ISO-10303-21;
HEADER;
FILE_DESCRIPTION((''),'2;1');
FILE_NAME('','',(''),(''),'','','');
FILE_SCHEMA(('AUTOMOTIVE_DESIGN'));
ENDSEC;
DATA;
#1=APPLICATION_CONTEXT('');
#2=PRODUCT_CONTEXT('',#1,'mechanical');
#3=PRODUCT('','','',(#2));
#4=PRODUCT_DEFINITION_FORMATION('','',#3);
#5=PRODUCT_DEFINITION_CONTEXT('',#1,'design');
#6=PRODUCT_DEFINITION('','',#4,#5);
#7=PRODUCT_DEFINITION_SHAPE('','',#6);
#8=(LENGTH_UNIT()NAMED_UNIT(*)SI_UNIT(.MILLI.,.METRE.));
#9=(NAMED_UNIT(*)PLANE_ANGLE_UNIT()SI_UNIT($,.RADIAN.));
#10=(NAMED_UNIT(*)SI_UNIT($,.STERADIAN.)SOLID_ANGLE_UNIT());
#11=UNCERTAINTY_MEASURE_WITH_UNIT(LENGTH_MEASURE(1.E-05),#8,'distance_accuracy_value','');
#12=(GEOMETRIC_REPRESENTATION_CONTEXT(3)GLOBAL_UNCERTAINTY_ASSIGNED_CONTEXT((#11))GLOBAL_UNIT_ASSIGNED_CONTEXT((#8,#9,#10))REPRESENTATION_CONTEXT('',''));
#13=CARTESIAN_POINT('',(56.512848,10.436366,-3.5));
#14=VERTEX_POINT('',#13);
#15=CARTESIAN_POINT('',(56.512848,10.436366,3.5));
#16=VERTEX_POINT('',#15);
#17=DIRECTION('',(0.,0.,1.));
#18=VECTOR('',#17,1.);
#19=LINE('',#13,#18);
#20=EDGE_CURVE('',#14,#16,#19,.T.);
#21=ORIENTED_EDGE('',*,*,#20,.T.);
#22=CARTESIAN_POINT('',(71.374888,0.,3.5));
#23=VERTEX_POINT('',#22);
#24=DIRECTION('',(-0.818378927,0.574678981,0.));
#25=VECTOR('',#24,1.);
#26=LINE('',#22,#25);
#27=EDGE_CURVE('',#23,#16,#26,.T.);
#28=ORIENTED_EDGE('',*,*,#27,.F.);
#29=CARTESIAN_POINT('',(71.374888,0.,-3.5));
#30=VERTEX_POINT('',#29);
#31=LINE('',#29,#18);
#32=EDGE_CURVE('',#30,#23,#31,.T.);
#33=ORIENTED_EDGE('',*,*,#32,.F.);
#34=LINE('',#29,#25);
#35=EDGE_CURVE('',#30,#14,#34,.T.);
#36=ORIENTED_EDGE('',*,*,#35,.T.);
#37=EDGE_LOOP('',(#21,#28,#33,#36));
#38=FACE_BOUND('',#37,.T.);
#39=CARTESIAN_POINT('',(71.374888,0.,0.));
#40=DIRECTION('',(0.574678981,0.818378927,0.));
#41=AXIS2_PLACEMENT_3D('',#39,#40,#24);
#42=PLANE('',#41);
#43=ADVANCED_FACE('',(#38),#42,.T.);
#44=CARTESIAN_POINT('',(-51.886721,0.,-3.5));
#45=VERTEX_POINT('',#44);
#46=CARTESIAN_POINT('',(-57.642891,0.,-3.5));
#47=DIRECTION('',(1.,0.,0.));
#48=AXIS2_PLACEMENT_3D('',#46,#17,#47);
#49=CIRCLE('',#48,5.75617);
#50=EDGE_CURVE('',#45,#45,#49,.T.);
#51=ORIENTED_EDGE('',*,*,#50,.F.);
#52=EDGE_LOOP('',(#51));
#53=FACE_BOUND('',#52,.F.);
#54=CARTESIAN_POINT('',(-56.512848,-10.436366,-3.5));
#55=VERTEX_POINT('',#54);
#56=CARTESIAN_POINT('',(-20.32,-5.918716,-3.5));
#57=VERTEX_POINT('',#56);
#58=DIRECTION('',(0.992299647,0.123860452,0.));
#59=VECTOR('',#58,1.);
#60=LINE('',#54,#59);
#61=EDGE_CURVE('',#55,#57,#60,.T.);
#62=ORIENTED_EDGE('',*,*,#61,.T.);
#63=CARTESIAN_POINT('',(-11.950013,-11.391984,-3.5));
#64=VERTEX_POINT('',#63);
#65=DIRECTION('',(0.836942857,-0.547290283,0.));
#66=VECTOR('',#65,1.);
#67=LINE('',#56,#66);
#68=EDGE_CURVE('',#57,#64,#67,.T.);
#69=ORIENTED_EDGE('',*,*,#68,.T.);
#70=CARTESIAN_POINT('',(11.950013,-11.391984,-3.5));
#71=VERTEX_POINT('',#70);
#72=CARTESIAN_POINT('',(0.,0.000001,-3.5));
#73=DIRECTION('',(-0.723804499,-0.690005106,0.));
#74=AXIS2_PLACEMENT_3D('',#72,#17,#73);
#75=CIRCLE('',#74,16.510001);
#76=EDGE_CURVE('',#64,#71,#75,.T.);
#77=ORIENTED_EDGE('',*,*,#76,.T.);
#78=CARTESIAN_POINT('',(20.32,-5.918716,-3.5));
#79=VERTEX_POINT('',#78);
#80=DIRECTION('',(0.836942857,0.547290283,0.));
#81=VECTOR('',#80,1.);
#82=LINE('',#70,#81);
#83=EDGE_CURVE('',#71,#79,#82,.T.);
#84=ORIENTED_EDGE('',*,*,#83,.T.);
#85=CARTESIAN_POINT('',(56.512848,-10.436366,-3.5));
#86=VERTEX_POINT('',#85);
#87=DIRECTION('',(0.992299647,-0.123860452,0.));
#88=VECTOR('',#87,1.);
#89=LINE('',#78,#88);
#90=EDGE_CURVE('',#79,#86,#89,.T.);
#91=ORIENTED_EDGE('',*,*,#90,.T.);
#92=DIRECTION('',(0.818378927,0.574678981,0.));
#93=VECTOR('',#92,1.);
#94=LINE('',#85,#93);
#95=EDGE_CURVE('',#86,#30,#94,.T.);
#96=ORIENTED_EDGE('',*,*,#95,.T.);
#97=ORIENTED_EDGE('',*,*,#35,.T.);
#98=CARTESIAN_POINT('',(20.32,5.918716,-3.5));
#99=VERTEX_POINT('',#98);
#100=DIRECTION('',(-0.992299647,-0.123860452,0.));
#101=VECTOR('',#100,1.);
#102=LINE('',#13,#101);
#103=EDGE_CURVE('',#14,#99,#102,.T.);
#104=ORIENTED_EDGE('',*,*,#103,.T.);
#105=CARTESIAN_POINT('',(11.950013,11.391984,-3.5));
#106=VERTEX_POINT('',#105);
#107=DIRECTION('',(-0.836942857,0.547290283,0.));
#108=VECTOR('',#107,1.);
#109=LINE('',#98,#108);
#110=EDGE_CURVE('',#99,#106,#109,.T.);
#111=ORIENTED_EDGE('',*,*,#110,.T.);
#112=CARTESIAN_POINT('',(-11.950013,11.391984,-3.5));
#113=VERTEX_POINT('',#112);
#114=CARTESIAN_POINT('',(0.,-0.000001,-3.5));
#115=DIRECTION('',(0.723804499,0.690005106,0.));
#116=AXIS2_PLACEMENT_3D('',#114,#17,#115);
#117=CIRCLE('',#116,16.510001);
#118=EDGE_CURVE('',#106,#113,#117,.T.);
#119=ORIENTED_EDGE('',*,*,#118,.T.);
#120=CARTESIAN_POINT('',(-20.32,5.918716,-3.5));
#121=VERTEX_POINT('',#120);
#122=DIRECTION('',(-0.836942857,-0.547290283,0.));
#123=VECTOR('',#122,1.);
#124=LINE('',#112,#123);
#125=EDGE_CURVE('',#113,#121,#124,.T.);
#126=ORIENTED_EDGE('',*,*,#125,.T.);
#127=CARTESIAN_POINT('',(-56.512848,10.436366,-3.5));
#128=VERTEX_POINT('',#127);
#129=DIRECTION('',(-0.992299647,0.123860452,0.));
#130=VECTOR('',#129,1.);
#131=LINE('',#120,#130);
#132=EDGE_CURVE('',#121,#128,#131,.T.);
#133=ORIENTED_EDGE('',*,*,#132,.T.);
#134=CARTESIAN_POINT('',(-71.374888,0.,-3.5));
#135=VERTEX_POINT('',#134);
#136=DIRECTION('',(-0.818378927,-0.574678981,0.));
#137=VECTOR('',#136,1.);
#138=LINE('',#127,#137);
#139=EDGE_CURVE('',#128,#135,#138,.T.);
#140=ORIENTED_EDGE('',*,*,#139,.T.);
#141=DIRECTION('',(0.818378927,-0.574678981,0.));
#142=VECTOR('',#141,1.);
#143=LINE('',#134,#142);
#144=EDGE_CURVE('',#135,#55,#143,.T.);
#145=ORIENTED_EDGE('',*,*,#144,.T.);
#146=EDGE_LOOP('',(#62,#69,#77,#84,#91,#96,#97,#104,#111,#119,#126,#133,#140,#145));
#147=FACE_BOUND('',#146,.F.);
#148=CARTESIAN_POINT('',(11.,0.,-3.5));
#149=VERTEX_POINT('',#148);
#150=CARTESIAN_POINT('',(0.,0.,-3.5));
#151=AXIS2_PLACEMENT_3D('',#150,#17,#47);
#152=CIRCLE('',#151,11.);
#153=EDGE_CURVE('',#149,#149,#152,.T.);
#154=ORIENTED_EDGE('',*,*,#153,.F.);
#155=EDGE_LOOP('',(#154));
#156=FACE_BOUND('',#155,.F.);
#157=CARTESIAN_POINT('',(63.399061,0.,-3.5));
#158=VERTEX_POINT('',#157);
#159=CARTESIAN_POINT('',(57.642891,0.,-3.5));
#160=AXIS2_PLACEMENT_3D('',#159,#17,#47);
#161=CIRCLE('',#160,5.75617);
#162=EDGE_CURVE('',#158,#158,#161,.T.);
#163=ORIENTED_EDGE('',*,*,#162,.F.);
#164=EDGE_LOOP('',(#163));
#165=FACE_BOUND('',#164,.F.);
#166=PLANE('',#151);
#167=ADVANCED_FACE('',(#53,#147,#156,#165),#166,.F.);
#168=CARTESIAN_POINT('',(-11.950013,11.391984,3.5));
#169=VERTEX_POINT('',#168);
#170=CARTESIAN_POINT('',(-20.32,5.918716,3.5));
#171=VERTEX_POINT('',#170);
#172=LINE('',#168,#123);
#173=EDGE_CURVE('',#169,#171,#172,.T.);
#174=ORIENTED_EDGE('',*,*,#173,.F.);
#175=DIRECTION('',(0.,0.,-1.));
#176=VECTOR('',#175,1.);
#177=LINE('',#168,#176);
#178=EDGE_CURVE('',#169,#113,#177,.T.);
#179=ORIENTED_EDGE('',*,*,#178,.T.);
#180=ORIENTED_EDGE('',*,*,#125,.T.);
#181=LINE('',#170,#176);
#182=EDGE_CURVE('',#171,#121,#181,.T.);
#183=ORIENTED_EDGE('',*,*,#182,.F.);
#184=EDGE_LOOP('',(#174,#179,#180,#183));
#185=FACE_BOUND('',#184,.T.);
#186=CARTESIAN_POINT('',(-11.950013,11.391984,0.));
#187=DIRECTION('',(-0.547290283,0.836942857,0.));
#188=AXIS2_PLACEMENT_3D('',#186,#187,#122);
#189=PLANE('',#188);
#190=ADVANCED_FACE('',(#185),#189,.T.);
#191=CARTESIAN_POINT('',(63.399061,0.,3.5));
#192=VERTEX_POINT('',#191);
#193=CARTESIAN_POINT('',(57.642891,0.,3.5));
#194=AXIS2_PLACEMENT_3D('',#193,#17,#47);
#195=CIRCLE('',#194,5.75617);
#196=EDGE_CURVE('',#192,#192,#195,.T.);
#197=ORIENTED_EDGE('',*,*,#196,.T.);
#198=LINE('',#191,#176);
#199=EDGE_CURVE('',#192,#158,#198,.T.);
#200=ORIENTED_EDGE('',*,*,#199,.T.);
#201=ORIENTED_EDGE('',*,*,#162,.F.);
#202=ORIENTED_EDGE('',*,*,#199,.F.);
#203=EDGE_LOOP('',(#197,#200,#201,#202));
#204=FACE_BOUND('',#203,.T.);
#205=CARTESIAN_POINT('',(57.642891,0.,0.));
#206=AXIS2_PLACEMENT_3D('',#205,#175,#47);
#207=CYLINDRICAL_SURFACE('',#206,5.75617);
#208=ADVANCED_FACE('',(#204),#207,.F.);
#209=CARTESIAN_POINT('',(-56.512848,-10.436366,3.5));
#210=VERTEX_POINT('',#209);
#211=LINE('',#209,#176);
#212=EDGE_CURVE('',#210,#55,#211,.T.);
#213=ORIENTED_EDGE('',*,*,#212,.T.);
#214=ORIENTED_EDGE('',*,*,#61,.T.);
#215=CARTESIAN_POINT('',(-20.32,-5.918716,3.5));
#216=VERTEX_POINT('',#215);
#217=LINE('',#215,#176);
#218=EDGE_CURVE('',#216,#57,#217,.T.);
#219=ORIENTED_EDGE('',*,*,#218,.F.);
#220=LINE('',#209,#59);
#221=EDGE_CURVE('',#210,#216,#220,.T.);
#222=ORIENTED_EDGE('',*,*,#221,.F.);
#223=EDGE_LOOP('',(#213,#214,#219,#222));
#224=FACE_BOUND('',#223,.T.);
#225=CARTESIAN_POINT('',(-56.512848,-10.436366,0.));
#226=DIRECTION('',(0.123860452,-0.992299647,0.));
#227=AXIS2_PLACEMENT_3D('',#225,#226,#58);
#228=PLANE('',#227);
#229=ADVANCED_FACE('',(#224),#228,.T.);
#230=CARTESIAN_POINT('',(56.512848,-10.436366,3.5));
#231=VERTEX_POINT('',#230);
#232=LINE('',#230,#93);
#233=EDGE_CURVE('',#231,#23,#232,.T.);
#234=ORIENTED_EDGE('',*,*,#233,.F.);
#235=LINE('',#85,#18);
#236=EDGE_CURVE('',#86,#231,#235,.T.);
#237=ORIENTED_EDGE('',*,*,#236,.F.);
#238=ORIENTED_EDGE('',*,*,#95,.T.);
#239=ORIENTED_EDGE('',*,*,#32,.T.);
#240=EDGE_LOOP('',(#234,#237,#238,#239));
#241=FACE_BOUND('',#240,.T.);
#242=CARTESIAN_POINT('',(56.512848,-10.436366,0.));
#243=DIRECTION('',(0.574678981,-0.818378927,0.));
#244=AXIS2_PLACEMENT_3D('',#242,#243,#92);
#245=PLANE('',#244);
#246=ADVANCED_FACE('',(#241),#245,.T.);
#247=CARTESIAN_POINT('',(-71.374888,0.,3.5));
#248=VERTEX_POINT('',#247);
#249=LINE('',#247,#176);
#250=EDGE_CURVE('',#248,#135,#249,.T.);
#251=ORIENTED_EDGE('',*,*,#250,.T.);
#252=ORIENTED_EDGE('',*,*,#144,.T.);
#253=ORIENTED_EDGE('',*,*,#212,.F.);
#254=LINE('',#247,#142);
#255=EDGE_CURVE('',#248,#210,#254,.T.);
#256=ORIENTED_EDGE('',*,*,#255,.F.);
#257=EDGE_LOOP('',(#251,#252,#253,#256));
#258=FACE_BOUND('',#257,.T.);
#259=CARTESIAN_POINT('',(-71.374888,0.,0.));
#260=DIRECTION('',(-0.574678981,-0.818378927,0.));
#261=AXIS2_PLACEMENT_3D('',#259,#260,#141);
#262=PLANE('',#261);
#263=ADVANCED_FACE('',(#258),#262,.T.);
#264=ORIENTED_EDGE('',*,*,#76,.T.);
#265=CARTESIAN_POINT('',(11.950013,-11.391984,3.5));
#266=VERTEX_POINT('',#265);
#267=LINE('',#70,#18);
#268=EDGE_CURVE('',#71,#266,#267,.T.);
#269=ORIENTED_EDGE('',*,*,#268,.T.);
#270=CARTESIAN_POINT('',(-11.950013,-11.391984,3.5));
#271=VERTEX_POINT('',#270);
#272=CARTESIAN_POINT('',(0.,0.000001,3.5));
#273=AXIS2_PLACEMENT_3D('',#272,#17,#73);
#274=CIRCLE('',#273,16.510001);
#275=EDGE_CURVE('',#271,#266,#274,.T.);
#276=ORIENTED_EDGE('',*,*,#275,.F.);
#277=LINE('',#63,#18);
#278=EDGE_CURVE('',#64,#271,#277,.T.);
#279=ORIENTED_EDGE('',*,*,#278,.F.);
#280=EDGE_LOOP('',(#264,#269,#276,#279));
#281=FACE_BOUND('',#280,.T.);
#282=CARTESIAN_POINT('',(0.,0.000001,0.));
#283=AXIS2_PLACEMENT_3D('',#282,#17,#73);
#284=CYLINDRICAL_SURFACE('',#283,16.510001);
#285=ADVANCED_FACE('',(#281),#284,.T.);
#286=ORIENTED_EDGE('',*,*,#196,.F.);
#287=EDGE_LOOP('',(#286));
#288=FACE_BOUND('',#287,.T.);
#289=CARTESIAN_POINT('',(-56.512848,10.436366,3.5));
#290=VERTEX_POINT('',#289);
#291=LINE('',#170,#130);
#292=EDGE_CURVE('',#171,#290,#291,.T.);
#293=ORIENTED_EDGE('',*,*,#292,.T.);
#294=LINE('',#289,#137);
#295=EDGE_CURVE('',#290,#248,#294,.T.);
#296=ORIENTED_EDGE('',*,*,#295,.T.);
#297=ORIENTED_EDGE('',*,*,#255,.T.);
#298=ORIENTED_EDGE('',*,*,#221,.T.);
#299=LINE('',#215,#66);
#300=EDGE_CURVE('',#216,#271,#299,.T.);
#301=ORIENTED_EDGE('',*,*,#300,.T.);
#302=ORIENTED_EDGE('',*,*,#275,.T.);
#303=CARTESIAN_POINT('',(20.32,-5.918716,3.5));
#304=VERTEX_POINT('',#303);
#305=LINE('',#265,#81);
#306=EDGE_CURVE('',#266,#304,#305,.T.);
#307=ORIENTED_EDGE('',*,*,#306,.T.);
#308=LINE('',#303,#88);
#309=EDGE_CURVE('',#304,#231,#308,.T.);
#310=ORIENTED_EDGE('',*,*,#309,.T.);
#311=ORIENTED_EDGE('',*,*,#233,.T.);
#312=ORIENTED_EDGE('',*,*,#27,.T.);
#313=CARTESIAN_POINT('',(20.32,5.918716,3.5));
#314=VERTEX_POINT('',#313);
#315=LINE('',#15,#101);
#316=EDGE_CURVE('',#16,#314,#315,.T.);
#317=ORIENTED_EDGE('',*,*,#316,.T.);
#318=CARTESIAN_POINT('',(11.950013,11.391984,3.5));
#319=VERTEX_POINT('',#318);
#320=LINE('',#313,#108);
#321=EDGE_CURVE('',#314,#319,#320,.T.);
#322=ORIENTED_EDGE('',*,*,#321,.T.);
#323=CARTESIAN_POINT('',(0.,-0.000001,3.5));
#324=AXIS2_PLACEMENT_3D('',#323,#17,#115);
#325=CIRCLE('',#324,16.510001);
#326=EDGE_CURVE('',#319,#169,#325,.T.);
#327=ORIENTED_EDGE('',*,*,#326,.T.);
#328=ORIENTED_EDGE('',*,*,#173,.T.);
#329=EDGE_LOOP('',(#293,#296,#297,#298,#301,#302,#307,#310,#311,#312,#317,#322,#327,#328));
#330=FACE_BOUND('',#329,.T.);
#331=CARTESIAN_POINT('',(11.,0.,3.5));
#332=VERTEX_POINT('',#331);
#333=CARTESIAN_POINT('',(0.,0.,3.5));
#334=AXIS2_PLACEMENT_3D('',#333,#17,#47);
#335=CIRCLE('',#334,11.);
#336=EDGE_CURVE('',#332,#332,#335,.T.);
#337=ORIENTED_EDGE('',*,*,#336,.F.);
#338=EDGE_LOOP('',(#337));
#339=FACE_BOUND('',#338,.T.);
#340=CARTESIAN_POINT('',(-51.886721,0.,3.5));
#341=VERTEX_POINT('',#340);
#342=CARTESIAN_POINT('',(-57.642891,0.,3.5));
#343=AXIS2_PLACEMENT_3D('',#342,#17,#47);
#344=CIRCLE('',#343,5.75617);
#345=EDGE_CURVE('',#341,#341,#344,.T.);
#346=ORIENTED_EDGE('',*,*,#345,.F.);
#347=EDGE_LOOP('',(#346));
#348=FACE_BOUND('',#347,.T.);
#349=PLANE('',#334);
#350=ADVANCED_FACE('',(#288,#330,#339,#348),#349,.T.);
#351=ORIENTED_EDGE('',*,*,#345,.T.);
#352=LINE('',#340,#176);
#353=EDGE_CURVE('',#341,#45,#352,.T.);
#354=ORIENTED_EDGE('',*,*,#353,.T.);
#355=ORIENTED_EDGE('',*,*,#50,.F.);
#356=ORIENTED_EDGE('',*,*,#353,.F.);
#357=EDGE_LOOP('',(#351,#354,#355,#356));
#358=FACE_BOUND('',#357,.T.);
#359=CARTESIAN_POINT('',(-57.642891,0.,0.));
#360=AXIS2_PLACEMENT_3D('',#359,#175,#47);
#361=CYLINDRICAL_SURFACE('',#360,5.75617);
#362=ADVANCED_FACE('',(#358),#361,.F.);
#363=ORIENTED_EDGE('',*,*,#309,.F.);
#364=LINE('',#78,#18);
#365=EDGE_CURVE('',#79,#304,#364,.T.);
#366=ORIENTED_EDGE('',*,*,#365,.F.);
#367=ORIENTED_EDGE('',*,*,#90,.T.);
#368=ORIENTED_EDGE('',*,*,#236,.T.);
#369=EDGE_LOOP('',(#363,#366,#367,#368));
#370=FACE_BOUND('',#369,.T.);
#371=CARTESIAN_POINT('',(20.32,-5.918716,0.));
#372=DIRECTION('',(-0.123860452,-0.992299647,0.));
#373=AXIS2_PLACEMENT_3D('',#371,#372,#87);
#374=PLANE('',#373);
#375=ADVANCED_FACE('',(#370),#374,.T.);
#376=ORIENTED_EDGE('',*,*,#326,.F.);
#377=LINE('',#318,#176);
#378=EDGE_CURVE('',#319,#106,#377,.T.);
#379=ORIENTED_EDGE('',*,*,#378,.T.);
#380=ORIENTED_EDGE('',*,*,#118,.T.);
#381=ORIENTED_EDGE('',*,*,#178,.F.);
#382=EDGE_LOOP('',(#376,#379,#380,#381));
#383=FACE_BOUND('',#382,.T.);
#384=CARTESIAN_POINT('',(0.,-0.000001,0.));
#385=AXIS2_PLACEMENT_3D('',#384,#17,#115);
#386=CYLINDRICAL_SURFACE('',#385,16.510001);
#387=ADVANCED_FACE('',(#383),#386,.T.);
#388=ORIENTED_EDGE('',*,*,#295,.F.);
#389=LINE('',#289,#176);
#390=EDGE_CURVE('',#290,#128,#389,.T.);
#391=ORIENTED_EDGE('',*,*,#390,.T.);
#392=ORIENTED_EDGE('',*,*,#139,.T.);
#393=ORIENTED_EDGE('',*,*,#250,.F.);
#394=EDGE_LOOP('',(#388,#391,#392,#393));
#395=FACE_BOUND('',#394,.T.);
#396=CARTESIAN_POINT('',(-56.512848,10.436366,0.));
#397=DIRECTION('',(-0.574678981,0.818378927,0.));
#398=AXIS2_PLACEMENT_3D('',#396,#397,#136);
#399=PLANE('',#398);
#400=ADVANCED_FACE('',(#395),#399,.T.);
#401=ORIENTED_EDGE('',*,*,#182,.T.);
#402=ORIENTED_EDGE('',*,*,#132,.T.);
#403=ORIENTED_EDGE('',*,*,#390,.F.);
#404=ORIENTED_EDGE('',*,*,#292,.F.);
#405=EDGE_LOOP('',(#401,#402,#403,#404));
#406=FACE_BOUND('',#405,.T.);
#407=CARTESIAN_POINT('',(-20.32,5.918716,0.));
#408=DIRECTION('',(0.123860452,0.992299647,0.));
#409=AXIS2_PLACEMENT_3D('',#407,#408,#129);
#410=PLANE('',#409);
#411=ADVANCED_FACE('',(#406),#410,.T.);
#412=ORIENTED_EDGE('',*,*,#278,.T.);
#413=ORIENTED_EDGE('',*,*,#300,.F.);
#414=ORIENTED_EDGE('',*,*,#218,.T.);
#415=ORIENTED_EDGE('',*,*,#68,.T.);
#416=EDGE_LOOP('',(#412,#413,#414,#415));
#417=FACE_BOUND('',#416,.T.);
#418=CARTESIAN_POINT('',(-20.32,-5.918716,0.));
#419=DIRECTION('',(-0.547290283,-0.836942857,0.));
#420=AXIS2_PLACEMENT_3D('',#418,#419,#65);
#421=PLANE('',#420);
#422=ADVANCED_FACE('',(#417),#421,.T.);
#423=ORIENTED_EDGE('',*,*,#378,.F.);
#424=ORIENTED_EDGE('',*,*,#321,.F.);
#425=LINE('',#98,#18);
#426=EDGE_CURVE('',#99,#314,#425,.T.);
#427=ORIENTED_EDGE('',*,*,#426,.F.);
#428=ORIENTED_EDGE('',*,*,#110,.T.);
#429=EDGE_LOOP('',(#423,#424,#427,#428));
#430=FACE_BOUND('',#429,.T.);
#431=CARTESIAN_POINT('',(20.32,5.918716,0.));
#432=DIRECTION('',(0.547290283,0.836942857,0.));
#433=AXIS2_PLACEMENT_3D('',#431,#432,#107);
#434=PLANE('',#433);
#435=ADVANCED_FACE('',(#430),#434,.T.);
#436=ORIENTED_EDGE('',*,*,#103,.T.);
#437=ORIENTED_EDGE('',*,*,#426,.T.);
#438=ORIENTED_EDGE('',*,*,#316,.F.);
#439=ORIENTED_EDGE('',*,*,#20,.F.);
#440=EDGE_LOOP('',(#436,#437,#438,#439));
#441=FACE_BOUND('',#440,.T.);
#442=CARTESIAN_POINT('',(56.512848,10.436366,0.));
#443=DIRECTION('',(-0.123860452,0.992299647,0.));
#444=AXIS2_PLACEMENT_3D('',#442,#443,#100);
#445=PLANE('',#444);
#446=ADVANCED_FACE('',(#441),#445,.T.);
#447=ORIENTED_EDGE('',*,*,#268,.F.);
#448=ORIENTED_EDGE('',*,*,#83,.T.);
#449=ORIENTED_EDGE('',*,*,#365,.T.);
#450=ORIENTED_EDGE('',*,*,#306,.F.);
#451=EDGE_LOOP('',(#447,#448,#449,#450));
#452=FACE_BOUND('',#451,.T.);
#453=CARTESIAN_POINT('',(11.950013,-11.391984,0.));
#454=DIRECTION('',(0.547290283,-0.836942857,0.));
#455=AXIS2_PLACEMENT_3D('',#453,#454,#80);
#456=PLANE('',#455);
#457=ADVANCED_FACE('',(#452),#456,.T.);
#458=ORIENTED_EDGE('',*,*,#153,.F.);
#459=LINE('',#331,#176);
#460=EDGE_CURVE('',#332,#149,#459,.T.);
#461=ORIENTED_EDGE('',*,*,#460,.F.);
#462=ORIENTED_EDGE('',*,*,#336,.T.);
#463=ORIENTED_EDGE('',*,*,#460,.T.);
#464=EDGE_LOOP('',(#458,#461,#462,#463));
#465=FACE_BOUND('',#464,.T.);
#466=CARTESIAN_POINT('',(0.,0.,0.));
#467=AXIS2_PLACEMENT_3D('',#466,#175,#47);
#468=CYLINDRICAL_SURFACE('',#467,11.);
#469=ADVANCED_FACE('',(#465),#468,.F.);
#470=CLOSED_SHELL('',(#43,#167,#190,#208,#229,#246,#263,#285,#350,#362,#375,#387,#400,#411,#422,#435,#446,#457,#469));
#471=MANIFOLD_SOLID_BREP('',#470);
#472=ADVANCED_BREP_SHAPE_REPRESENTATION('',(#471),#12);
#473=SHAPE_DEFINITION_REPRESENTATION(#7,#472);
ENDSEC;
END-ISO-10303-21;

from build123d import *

# Parameters (mm, degrees)
F0_R     = 5.75617
F0_R_2   = 11
F1_DEPTH = 3.5


with BuildPart() as f1:
    # F0 (on Top) → F1 (new body, symmetric)
    with BuildSketch(Plane.XY):
        with BuildLine():
            Line((-20.32, -5.918716), (-11.950013, -11.391984))
            ThreePointArc((-11.950013, -11.391984), (0, -16.51), (11.950013, -11.391984))
            Line((11.950013, -11.391984), (20.32, -5.918716))
            Line((20.32, -5.918716), (56.512848, -10.436366))
            Line((56.512848, -10.436366), (71.374888, 0))
            Line((71.374888, 0), (56.512848, 10.436366))
            Line((56.512848, 10.436366), (20.32, 5.918716))
            Line((20.32, 5.918716), (11.950013, 11.391984))
            ThreePointArc((11.950013, 11.391984), (0, 16.51), (-11.950013, 11.391984))
            Line((-11.950013, 11.391984), (-20.32, 5.918716))
            Line((-20.32, 5.918716), (-56.512848, 10.436366))
            Line((-56.512848, 10.436366), (-71.374888, 0))
            Line((-71.374888, 0), (-56.512848, -10.436366))
            Line((-56.512848, -10.436366), (-20.32, -5.918716))
        make_face()
        with Locations((-57.642891, 0)):
            Circle(F0_R, mode=Mode.SUBTRACT)
        Circle(F0_R_2, mode=Mode.SUBTRACT)
        with Locations((57.642891, 0)):
            Circle(F0_R, mode=Mode.SUBTRACT)
    extrude(amount=F1_DEPTH, both=True)


solid = f1.part
